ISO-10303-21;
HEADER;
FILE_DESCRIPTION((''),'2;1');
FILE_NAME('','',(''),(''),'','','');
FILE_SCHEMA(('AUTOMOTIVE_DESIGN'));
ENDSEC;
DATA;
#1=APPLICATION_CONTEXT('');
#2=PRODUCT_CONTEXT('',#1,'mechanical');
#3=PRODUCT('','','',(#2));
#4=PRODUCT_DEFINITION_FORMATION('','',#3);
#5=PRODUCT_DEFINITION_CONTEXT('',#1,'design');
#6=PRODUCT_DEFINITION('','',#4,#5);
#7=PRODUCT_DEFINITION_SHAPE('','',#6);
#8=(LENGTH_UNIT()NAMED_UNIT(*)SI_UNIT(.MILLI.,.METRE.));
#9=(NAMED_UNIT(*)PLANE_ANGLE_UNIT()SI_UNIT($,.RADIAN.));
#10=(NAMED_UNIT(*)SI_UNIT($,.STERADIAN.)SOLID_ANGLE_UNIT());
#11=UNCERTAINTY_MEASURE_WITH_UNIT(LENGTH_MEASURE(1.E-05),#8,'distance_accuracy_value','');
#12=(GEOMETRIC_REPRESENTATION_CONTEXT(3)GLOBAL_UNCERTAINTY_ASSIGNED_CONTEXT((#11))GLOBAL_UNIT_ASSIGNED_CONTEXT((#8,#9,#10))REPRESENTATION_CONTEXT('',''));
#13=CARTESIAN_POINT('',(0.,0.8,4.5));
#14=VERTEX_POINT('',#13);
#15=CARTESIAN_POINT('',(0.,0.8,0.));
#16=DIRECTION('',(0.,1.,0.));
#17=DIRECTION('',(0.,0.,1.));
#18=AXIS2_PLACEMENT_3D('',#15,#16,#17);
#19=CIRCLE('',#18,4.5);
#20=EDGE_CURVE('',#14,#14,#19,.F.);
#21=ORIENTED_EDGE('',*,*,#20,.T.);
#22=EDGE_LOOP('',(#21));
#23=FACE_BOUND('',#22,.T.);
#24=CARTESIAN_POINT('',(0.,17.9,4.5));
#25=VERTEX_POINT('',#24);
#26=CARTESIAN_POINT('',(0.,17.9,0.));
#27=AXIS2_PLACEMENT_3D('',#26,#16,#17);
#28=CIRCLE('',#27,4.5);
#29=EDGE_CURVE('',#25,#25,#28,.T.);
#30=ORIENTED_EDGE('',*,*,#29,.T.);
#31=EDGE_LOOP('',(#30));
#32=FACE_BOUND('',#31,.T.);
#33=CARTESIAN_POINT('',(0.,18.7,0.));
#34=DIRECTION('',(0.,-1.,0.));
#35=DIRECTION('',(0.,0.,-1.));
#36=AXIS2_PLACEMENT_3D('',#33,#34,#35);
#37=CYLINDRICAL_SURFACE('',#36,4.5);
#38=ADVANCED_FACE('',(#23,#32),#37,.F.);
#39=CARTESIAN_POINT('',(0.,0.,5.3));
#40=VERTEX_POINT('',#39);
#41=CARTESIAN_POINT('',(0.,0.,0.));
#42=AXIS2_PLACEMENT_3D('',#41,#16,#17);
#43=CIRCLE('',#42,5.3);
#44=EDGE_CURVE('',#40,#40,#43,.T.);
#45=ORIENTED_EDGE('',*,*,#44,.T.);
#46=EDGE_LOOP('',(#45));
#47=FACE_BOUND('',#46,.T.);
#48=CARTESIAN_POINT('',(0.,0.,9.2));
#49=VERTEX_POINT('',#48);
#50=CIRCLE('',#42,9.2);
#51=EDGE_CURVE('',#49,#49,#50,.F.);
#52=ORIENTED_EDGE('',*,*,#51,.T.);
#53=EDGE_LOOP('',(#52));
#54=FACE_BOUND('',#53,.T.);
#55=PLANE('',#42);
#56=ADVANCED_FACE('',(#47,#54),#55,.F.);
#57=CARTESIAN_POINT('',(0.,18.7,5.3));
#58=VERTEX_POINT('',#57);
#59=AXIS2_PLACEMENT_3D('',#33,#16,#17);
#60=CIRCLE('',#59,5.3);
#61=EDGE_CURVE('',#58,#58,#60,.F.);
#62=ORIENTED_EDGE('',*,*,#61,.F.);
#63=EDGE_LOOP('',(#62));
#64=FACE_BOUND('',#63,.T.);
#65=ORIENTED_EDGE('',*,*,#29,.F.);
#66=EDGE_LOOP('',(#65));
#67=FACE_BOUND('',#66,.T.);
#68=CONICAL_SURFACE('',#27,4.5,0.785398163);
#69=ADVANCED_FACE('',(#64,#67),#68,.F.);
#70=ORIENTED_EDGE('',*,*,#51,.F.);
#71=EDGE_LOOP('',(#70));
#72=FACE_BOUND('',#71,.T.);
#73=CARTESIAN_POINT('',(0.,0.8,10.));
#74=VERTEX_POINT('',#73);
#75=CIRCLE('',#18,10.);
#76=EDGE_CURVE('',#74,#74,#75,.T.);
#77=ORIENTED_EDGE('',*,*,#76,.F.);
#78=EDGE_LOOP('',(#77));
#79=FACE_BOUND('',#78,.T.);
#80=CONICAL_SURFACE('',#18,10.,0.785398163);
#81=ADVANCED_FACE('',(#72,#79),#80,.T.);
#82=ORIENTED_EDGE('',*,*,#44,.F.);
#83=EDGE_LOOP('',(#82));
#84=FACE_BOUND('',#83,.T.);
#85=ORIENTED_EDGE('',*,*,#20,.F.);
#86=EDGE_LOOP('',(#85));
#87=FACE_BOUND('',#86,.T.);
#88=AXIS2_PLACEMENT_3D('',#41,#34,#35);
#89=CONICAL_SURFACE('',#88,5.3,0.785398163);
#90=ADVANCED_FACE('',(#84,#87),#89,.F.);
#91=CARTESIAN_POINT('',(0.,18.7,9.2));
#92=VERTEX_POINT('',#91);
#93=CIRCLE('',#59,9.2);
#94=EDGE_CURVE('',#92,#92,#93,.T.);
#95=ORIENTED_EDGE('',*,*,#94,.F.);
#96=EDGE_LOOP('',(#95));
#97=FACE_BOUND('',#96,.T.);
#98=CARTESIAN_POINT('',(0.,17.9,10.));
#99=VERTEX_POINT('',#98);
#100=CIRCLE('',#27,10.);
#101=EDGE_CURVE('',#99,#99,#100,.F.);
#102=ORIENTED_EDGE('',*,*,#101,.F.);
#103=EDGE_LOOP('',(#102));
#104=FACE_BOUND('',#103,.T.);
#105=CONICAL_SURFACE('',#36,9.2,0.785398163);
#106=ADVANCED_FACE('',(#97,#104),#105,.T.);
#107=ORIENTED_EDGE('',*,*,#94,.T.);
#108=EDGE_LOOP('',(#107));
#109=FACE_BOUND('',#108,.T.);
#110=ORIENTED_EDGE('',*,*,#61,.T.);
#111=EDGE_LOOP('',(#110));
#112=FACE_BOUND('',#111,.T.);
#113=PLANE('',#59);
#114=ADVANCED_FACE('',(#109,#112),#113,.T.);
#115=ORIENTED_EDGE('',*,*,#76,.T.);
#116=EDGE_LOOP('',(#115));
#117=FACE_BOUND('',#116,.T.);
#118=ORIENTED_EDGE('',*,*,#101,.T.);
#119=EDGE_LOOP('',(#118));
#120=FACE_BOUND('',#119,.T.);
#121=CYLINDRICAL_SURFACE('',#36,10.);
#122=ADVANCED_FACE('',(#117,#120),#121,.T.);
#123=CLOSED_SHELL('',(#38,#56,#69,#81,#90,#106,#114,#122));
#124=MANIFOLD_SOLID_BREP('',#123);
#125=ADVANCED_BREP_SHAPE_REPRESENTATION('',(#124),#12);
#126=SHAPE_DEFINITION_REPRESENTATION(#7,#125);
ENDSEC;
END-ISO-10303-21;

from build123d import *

# Parameters (mm, degrees)
SKETCH1_R        = 10
SKETCH1_R_2      = 4.5
BODY_DEPTH       = 18.7
CHAMFER_0_8_SIZE = 0.8


with BuildPart() as part:
    # Sketch1 → Body (new body)
    with BuildSketch(Plane(origin=(0, 0, 0), x_dir=(1, 0, 0), z_dir=(0, 1, 0))):
        Circle(SKETCH1_R)
        Circle(SKETCH1_R_2, mode=Mode.SUBTRACT)
    extrude(amount=BODY_DEPTH)

    # Chamfer 0.8
    chamfer_0_8_edges = [part.edges().sort_by_distance(p)[0] for p in [
        (-10, 0, 0),
        (-10, 18.7, 0),
        (-4.5, 0, 0),
        (-4.5, 18.7, 0),
    ]]
    chamfer(chamfer_0_8_edges, length=CHAMFER_0_8_SIZE)


solid = part.part
